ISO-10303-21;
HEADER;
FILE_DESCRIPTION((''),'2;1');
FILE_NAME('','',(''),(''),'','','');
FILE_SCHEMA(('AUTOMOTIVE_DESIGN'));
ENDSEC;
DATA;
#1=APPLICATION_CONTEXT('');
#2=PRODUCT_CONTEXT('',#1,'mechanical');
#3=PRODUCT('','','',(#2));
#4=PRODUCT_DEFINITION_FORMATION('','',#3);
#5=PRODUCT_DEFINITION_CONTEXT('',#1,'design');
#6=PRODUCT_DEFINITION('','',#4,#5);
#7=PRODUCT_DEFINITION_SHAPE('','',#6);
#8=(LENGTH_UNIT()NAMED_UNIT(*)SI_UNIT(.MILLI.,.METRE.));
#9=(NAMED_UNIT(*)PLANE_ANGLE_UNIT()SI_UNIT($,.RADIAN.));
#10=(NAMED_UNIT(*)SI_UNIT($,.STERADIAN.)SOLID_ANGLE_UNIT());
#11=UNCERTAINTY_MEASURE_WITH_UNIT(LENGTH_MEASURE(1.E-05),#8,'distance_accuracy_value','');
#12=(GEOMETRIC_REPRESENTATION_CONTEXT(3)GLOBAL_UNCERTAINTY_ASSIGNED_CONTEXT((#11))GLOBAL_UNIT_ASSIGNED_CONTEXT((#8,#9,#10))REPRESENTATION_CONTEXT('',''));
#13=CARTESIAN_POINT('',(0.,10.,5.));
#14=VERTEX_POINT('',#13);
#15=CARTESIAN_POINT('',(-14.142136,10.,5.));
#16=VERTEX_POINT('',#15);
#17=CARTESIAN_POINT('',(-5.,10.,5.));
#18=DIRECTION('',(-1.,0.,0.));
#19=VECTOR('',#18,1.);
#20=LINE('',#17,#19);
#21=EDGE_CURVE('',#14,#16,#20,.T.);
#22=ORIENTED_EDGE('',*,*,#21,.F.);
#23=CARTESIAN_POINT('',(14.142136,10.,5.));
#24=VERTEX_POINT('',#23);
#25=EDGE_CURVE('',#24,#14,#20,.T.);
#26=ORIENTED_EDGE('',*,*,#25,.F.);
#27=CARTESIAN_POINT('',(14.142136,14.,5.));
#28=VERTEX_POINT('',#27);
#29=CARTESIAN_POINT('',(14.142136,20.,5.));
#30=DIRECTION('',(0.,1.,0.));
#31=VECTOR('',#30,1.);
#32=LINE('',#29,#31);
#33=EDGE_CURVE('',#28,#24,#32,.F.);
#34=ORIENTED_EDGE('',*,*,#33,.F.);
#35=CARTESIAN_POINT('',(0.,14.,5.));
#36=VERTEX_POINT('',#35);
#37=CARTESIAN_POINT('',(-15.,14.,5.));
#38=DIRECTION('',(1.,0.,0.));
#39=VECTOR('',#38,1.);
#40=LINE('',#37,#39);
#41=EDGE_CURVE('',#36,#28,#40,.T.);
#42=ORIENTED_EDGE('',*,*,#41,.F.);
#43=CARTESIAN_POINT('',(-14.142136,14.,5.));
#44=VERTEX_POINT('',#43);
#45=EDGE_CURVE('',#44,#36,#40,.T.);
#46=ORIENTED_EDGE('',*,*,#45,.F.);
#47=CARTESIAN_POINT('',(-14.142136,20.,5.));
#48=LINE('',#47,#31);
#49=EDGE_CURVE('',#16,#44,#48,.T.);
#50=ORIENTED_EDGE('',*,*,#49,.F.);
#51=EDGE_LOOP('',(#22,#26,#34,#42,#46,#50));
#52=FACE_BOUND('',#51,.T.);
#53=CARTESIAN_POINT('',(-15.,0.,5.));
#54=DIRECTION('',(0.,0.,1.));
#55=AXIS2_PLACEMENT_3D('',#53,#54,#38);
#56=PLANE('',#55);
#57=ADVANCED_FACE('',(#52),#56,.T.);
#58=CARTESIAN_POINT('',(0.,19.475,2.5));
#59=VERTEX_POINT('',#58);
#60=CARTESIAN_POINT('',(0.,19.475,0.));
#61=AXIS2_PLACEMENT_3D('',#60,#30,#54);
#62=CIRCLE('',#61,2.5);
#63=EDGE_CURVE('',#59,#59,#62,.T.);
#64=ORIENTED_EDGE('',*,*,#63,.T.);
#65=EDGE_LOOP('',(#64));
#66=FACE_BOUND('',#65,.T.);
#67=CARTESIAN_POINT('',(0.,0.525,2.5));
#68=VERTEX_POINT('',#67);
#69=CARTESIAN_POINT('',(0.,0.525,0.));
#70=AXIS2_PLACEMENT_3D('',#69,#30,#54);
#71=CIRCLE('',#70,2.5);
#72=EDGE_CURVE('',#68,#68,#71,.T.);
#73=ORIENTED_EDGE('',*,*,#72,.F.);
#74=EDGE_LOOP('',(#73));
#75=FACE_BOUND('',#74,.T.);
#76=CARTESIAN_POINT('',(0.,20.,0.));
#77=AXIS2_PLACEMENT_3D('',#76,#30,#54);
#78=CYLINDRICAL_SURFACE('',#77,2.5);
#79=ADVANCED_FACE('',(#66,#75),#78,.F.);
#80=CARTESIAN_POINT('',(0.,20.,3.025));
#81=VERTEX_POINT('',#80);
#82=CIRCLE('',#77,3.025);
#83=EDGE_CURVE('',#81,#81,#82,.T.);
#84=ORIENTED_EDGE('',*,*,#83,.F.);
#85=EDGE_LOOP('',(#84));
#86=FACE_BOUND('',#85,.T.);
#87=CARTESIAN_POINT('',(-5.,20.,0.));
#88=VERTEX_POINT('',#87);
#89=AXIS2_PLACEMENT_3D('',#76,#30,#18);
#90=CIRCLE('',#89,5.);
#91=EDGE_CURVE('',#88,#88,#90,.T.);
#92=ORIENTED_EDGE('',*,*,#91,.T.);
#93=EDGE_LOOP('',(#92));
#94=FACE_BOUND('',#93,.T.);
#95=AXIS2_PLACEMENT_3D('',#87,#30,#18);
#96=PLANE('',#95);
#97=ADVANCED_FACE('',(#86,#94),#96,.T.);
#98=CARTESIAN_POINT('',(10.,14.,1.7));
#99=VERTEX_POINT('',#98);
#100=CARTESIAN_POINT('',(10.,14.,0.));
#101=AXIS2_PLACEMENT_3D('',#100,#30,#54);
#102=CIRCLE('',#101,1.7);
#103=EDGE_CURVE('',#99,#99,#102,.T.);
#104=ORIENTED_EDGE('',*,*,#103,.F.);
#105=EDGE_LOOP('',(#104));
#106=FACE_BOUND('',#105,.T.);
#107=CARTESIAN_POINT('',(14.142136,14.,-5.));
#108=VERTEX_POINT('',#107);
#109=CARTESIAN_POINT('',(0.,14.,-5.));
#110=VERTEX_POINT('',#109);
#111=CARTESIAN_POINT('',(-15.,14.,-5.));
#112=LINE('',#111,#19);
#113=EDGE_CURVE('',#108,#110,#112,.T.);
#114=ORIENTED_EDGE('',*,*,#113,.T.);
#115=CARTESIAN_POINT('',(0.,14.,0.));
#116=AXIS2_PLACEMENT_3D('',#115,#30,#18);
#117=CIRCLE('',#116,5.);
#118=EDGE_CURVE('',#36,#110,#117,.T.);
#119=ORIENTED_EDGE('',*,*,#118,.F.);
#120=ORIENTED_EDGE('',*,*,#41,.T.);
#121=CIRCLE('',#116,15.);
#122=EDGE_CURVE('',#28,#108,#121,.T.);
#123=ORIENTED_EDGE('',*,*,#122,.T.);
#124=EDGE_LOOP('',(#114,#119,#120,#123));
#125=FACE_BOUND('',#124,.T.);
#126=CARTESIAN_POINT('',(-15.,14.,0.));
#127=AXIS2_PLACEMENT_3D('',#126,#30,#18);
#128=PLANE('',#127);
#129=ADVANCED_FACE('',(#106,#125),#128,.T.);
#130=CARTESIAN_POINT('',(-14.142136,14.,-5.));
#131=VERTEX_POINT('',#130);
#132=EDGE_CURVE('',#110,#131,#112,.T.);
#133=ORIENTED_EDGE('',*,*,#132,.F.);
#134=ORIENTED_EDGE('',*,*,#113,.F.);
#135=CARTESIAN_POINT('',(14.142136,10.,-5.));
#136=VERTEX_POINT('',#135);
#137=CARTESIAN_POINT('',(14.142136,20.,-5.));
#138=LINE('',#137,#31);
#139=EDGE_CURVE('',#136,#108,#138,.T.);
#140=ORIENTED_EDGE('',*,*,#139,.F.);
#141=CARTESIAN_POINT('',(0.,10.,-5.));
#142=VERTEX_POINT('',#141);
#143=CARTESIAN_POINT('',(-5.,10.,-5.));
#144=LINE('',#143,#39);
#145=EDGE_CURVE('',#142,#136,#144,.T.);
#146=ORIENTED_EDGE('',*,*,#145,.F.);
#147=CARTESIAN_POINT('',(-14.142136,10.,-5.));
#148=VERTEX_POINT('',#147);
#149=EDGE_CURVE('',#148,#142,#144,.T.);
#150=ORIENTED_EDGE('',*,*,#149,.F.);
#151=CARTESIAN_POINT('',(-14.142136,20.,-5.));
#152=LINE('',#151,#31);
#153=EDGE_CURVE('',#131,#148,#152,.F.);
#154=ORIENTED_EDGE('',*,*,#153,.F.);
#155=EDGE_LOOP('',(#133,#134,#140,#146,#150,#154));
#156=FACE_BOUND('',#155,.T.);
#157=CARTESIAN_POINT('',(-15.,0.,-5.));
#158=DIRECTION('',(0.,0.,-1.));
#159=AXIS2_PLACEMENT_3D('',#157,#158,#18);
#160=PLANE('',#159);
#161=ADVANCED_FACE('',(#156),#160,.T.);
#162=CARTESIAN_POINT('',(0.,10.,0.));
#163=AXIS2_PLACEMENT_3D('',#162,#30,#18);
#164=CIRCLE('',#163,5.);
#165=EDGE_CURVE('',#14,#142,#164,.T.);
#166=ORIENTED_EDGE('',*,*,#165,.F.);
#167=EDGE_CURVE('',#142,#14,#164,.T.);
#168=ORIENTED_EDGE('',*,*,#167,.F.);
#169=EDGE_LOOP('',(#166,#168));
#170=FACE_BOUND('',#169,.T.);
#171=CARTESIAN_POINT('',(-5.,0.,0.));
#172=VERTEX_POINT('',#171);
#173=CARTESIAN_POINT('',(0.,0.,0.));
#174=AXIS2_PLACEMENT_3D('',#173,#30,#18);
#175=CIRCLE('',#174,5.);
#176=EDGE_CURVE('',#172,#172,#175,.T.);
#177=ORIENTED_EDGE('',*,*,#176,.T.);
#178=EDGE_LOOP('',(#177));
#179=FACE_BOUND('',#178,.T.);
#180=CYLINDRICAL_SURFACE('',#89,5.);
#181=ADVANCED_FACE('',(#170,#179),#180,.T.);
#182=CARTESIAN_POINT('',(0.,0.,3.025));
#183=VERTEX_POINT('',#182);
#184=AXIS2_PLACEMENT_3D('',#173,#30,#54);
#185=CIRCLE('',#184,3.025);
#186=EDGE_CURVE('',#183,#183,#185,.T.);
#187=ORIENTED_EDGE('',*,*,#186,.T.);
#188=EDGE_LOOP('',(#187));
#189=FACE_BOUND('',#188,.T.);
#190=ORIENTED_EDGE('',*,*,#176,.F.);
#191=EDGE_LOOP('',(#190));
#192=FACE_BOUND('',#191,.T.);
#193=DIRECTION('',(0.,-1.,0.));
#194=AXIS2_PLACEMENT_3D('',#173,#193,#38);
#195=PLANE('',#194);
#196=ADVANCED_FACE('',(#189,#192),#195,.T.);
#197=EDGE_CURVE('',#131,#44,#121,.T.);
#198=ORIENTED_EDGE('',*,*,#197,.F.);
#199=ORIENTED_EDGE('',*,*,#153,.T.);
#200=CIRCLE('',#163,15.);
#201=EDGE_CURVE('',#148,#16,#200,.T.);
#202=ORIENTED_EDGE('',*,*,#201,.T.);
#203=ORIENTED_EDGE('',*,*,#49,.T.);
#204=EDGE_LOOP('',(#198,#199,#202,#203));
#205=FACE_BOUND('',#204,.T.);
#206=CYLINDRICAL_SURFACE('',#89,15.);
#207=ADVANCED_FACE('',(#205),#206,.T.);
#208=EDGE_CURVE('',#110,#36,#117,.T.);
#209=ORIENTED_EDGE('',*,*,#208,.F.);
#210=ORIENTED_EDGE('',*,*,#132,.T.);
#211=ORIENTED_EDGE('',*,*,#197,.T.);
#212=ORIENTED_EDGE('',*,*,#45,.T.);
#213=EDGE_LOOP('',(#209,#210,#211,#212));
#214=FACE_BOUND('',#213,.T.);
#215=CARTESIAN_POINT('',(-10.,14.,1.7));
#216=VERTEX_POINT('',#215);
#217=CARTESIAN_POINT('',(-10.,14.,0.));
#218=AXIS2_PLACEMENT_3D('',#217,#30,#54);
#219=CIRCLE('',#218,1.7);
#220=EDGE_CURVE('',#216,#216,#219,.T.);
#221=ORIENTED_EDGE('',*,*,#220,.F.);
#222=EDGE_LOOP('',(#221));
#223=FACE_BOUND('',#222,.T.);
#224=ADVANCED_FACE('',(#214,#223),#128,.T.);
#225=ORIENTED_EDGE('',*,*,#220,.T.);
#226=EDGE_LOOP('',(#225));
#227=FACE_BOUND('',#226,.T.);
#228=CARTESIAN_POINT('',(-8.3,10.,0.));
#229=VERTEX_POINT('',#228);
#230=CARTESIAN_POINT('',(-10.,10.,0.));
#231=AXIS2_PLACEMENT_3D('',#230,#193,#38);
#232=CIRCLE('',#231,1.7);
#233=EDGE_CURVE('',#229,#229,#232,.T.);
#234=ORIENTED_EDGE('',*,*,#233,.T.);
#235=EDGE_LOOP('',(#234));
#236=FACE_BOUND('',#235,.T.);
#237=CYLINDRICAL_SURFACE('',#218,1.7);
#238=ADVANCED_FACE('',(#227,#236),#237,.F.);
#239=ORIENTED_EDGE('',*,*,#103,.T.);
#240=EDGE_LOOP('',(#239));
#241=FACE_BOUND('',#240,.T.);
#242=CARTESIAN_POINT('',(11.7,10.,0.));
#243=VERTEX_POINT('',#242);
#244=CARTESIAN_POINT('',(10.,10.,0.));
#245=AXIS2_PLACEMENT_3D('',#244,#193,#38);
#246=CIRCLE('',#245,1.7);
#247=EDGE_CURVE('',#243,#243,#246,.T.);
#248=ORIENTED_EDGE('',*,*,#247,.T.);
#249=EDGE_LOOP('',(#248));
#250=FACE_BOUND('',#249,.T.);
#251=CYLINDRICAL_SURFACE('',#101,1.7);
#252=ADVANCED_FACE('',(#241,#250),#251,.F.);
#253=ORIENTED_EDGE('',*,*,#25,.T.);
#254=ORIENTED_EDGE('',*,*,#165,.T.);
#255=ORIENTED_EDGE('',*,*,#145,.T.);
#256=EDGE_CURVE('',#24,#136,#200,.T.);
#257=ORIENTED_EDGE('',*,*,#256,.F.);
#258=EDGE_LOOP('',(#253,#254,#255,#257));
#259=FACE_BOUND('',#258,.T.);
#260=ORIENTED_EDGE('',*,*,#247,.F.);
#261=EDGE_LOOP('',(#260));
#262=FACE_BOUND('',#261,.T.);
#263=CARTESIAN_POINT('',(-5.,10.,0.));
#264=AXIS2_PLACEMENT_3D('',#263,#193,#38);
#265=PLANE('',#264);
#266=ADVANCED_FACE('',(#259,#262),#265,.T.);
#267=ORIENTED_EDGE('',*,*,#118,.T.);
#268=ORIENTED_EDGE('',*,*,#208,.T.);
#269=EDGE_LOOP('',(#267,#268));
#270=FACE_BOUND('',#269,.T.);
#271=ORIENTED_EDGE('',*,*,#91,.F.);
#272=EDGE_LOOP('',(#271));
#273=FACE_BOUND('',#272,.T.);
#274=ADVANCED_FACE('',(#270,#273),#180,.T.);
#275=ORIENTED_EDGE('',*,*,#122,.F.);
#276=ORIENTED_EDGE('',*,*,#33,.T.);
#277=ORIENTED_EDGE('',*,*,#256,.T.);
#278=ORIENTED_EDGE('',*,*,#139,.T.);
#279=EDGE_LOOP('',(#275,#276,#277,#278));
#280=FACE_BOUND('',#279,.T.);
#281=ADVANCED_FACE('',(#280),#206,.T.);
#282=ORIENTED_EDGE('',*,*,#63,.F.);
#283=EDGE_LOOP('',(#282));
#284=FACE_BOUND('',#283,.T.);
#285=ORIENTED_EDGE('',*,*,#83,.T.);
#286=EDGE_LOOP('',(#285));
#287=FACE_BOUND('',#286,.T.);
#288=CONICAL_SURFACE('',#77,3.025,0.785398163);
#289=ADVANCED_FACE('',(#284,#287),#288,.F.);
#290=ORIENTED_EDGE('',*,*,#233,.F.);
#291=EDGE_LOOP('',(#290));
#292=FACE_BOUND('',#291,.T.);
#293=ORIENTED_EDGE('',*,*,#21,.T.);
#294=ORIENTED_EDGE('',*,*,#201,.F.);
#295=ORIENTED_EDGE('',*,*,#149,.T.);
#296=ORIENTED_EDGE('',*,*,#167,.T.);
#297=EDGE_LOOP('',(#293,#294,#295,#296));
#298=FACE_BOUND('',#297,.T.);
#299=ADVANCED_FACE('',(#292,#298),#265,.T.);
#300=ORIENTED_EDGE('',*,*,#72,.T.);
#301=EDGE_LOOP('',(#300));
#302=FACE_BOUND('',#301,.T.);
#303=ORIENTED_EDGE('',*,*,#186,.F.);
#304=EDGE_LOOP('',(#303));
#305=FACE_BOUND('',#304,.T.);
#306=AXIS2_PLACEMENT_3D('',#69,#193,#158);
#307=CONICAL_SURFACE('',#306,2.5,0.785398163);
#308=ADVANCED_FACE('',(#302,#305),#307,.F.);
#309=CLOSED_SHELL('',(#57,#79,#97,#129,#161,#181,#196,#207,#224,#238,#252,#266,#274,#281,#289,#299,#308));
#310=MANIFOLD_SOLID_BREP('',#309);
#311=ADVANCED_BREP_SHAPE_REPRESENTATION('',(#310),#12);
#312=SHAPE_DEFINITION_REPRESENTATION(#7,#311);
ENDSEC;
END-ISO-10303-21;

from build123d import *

# Parameters (mm, degrees)
M3_CLEARANCE_HOLE1_D = 3.4
SKETCH9_OUTSIDE_W    = 41.38
SKETCH9_OUTSIDE_H    = 41.38
SKETCH9_OUTSIDE_W_2  = 30
SKETCH9_OUTSIDE_H_2  = 10
CUT_EXTRUDE1_DEPTH   = 26.416530054


with BuildPart() as part:
    # Sketch2 → Revolve1 (revolve)
    with BuildSketch(Plane.XY):
        Polygon((0, 0), (-5, 0), (-5, 10), (-15, 10), (-15, 14), (-5, 14), (-5, 20), (0, 20), align=None)
    revolve(axis=Axis((0, 20, 0), (0, -1, 0)))

    # M3 Clearance Hole1 (through all)
    with Locations(Plane(origin=(0, 14, 0), x_dir=(-1, 0, 0), z_dir=(0, 1, 0))):
        with Locations((10, 0), (-10, 0)):
            Hole(M3_CLEARANCE_HOLE1_D / 2)

    # Sketch8 → M6 Tapped Hole1 (revolve, cut)
    with BuildSketch(Plane(origin=(0, 20, 0), x_dir=(0, 0, 1), z_dir=(1, 0, 0))):
        Polygon((0, 0), (0, 20), (3.025, 20), (2.5, 19.475), (2.5, 0.525), (3.025, 0), align=None)
    revolve(axis=Axis((0, 26.35, 0), (0, -1, 0)), mode=Mode.SUBTRACT)

    # Sketch9 outside → Cut-Extrude1 (cut, through all)
    with BuildSketch(Plane(origin=(0, 14, 0), x_dir=(1, 0, 0), z_dir=(0, 1, 0))):
        Rectangle(SKETCH9_OUTSIDE_W, SKETCH9_OUTSIDE_H)
        Rectangle(SKETCH9_OUTSIDE_W_2, SKETCH9_OUTSIDE_H_2, mode=Mode.SUBTRACT)
    extrude(amount=-CUT_EXTRUDE1_DEPTH, mode=Mode.SUBTRACT)


solid = part.part
